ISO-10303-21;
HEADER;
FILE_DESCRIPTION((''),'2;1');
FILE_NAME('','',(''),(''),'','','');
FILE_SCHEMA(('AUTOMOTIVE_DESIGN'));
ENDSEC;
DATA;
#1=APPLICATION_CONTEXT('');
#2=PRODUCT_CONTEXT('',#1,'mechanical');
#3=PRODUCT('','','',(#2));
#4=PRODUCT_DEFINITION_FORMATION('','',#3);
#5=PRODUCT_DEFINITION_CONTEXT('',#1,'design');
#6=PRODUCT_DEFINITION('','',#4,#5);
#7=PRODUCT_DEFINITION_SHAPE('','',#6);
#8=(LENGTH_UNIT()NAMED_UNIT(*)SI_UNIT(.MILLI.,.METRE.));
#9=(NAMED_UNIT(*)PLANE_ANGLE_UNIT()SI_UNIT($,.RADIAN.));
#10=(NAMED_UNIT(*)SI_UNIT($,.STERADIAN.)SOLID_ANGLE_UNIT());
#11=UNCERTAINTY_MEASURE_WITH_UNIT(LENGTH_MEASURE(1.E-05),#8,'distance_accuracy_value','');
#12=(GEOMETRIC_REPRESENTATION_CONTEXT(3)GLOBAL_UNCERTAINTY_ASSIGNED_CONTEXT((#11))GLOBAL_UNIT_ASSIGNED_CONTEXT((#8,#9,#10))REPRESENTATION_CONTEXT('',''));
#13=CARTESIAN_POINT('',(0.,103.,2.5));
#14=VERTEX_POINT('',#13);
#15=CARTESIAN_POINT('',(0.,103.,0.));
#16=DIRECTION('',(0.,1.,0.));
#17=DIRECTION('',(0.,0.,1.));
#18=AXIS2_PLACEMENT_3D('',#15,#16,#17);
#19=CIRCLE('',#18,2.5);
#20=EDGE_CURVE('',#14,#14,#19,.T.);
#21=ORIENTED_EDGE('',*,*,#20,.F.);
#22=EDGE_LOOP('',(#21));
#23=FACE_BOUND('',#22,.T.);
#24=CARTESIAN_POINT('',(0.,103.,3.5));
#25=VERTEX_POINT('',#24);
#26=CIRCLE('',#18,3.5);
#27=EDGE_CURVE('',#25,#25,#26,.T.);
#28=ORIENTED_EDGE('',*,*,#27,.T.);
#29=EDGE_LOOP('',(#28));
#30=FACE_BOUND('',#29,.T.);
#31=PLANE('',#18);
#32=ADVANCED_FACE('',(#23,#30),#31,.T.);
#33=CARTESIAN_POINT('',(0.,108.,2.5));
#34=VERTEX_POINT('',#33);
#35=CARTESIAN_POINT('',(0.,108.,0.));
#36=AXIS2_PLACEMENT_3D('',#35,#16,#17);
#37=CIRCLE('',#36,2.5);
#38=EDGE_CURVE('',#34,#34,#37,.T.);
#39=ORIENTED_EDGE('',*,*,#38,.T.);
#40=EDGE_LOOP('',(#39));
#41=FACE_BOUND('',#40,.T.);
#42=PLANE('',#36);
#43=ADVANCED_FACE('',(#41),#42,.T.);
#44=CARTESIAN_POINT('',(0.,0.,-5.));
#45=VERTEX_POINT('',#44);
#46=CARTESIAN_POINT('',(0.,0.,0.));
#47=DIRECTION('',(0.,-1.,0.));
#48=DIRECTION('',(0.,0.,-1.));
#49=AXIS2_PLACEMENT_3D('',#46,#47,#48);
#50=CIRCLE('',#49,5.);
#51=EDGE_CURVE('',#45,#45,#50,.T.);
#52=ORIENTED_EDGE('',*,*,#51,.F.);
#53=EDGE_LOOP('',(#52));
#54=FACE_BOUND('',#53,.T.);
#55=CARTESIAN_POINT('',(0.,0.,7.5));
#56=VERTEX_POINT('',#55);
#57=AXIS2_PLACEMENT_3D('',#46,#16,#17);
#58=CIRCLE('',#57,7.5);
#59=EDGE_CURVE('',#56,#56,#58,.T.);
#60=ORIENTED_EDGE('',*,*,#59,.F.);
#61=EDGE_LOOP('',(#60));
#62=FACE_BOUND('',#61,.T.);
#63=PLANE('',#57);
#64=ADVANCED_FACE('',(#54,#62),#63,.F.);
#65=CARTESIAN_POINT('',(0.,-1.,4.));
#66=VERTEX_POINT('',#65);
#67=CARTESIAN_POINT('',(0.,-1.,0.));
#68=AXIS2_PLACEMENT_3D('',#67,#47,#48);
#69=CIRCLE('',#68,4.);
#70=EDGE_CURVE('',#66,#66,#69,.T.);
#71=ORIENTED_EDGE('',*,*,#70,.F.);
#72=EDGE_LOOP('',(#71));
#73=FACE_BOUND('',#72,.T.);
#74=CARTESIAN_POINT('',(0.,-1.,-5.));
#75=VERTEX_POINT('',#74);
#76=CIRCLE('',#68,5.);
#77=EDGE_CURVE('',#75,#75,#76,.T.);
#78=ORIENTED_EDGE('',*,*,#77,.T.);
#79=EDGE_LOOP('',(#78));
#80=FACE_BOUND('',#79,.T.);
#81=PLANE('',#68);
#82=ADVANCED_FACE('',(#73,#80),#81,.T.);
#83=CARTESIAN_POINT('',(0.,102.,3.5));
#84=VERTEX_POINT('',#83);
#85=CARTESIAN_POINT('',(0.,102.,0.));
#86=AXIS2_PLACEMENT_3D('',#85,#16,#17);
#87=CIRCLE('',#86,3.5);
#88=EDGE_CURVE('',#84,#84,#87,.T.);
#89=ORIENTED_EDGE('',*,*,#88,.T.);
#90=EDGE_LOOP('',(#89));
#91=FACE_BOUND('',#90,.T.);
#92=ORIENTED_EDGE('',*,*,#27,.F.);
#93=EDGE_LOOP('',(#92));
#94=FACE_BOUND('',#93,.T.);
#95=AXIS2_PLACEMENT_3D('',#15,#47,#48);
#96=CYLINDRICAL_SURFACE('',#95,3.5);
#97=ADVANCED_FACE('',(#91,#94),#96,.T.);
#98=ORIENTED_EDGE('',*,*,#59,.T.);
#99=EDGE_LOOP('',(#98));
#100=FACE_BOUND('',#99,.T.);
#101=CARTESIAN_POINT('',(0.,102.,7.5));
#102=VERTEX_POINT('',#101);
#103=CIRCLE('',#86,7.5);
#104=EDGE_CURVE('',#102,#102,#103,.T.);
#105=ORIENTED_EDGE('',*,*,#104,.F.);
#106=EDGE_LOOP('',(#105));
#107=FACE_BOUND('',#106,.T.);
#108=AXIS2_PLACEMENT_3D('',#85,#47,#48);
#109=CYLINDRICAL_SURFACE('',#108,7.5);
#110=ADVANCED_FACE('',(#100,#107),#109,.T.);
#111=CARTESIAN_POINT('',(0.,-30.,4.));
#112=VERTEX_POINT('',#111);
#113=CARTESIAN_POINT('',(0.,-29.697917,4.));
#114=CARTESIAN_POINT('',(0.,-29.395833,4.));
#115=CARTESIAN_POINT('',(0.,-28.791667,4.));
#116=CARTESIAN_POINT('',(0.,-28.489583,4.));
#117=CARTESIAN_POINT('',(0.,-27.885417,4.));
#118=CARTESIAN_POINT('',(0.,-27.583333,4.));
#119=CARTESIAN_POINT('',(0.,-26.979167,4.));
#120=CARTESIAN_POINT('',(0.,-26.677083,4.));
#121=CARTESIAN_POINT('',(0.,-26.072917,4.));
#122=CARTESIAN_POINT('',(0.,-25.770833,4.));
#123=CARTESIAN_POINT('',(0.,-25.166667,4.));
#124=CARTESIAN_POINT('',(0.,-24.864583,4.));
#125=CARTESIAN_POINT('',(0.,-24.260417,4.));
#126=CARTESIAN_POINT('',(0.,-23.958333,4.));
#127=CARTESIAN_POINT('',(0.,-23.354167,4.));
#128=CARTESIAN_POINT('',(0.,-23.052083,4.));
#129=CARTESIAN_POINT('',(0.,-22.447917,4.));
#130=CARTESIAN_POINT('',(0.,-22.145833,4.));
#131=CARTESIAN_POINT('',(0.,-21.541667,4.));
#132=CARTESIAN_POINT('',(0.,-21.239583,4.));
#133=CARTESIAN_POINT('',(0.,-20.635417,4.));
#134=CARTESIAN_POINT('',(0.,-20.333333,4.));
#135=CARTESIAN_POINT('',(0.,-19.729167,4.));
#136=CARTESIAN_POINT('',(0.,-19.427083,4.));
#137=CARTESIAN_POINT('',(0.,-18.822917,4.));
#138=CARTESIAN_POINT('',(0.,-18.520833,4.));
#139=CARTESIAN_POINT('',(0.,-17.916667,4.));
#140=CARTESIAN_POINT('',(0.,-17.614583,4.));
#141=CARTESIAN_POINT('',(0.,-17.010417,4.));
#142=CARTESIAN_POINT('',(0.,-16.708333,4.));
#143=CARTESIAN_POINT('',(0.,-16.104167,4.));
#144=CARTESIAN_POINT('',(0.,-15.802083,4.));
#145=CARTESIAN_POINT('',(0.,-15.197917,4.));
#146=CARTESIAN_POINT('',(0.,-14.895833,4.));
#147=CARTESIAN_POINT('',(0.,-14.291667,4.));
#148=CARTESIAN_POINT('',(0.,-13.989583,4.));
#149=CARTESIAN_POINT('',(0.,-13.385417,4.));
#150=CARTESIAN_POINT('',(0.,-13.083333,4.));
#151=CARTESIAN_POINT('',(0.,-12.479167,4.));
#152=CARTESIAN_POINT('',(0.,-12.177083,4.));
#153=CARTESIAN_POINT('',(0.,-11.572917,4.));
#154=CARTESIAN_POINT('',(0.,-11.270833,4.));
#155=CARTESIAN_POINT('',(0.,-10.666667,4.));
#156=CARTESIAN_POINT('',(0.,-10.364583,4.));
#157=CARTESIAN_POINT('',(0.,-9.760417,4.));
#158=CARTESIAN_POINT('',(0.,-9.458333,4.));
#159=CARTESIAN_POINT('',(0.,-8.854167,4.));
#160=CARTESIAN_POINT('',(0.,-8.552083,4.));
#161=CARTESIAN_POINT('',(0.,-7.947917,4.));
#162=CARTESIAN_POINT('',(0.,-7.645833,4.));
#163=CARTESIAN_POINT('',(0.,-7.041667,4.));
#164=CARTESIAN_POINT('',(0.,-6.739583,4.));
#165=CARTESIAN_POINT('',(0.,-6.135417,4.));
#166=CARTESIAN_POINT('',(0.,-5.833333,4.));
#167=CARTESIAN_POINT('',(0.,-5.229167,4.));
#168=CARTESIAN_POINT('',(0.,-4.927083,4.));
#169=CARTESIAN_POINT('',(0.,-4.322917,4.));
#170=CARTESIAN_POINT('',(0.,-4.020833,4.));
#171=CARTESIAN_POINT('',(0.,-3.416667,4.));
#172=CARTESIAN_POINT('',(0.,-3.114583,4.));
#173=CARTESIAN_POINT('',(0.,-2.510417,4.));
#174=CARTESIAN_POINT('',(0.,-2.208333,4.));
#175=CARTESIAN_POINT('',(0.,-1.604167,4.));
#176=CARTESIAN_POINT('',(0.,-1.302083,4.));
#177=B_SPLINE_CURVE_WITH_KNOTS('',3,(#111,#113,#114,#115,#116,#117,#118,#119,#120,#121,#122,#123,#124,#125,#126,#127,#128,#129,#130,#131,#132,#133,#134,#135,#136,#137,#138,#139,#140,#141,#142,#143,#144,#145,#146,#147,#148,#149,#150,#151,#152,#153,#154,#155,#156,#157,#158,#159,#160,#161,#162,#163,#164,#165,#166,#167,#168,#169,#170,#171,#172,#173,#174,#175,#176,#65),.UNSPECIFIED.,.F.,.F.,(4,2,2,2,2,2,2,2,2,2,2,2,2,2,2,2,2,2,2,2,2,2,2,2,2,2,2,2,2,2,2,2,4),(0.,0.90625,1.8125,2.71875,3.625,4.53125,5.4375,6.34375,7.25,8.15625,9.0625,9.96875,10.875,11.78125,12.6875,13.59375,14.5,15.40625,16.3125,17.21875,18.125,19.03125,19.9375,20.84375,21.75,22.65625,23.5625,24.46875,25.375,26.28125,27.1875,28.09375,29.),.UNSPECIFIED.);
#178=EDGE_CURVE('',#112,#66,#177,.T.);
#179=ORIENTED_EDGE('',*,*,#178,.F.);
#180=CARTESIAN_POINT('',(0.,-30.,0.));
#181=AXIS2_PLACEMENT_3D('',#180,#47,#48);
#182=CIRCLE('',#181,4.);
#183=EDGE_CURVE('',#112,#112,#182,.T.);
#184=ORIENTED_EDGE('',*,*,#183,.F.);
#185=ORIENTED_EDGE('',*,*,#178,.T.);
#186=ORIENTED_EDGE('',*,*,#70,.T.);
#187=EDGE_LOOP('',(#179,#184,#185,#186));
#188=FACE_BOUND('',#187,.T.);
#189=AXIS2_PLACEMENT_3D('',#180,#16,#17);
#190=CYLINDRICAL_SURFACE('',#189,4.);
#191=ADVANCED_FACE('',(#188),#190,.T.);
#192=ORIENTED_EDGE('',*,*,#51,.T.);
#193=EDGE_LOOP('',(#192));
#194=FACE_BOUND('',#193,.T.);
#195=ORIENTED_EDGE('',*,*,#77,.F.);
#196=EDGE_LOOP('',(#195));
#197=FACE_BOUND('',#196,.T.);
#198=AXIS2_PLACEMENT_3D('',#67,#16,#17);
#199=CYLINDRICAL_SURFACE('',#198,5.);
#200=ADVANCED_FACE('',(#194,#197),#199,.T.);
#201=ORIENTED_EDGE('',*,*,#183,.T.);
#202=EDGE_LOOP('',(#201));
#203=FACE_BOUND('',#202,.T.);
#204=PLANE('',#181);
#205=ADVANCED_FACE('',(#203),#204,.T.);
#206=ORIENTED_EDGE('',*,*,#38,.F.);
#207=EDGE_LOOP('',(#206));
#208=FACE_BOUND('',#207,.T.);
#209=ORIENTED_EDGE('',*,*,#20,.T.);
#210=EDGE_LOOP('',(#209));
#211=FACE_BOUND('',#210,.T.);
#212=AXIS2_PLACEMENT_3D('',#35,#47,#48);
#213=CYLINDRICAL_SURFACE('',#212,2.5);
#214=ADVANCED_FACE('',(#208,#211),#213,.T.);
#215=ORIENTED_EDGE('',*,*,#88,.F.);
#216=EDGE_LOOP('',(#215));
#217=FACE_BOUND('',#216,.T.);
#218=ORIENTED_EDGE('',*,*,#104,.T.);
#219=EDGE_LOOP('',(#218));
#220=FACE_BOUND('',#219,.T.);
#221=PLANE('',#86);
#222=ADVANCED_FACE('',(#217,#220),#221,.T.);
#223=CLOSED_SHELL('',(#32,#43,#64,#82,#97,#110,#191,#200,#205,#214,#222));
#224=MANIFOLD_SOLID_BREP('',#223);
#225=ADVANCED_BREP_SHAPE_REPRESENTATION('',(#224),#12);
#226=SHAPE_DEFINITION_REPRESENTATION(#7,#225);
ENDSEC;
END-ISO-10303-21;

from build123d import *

# Parameters (mm, degrees)
SKETCH1_R           = 7.5
BOSS_EXTRUDE1_DEPTH = 102
SKETCH2_R           = 5
BOSS_EXTRUDE2_DEPTH = 1
SKETCH3_R           = 4
BOSS_EXTRUDE3_DEPTH = 29
SKETCH4_R           = 3.5
BOSS_EXTRUDE4_DEPTH = 1
SKETCH5_R           = 2.5
BOSS_EXTRUDE5_DEPTH = 5


with BuildPart() as part:
    # Sketch1 → Boss-Extrude1 (new body)
    with BuildSketch(Plane(origin=(0, 0, 0), x_dir=(1, 0, 0), z_dir=(0, 1, 0))):
        with Locations(Location((0, 0, 0), (0, 0, 270))):
            Circle(SKETCH1_R)
    extrude(amount=BOSS_EXTRUDE1_DEPTH)

    # Sketch2 → Boss-Extrude2 (add)
    with BuildSketch(Plane.XZ):
        with Locations(Location((0, 0, 0), (0, 0, 270))):
            Circle(SKETCH2_R)
    extrude(amount=BOSS_EXTRUDE2_DEPTH)

    # Sketch3 → Boss-Extrude3 (add)
    with BuildSketch(Plane.XZ.offset(1)):
        with Locations(Location((0, 0, 0), (0, 0, 90))):
            Circle(SKETCH3_R)
    extrude(amount=BOSS_EXTRUDE3_DEPTH)

    # Sketch4 → Boss-Extrude4 (add)
    with BuildSketch(Plane(origin=(0, 102, 0), x_dir=(1, 0, 0), z_dir=(0, 1, 0))):
        with Locations(Location((0, 0, 0), (0, 0, 270))):
            Circle(SKETCH4_R)
    extrude(amount=BOSS_EXTRUDE4_DEPTH)

    # Sketch5 → Boss-Extrude5 (add)
    with BuildSketch(Plane(origin=(0, 103, 0), x_dir=(1, 0, 0), z_dir=(0, 1, 0))):
        with Locations(Location((0, 0, 0), (0, 0, 270))):
            Circle(SKETCH5_R)
    extrude(amount=BOSS_EXTRUDE5_DEPTH)


solid = part.part
